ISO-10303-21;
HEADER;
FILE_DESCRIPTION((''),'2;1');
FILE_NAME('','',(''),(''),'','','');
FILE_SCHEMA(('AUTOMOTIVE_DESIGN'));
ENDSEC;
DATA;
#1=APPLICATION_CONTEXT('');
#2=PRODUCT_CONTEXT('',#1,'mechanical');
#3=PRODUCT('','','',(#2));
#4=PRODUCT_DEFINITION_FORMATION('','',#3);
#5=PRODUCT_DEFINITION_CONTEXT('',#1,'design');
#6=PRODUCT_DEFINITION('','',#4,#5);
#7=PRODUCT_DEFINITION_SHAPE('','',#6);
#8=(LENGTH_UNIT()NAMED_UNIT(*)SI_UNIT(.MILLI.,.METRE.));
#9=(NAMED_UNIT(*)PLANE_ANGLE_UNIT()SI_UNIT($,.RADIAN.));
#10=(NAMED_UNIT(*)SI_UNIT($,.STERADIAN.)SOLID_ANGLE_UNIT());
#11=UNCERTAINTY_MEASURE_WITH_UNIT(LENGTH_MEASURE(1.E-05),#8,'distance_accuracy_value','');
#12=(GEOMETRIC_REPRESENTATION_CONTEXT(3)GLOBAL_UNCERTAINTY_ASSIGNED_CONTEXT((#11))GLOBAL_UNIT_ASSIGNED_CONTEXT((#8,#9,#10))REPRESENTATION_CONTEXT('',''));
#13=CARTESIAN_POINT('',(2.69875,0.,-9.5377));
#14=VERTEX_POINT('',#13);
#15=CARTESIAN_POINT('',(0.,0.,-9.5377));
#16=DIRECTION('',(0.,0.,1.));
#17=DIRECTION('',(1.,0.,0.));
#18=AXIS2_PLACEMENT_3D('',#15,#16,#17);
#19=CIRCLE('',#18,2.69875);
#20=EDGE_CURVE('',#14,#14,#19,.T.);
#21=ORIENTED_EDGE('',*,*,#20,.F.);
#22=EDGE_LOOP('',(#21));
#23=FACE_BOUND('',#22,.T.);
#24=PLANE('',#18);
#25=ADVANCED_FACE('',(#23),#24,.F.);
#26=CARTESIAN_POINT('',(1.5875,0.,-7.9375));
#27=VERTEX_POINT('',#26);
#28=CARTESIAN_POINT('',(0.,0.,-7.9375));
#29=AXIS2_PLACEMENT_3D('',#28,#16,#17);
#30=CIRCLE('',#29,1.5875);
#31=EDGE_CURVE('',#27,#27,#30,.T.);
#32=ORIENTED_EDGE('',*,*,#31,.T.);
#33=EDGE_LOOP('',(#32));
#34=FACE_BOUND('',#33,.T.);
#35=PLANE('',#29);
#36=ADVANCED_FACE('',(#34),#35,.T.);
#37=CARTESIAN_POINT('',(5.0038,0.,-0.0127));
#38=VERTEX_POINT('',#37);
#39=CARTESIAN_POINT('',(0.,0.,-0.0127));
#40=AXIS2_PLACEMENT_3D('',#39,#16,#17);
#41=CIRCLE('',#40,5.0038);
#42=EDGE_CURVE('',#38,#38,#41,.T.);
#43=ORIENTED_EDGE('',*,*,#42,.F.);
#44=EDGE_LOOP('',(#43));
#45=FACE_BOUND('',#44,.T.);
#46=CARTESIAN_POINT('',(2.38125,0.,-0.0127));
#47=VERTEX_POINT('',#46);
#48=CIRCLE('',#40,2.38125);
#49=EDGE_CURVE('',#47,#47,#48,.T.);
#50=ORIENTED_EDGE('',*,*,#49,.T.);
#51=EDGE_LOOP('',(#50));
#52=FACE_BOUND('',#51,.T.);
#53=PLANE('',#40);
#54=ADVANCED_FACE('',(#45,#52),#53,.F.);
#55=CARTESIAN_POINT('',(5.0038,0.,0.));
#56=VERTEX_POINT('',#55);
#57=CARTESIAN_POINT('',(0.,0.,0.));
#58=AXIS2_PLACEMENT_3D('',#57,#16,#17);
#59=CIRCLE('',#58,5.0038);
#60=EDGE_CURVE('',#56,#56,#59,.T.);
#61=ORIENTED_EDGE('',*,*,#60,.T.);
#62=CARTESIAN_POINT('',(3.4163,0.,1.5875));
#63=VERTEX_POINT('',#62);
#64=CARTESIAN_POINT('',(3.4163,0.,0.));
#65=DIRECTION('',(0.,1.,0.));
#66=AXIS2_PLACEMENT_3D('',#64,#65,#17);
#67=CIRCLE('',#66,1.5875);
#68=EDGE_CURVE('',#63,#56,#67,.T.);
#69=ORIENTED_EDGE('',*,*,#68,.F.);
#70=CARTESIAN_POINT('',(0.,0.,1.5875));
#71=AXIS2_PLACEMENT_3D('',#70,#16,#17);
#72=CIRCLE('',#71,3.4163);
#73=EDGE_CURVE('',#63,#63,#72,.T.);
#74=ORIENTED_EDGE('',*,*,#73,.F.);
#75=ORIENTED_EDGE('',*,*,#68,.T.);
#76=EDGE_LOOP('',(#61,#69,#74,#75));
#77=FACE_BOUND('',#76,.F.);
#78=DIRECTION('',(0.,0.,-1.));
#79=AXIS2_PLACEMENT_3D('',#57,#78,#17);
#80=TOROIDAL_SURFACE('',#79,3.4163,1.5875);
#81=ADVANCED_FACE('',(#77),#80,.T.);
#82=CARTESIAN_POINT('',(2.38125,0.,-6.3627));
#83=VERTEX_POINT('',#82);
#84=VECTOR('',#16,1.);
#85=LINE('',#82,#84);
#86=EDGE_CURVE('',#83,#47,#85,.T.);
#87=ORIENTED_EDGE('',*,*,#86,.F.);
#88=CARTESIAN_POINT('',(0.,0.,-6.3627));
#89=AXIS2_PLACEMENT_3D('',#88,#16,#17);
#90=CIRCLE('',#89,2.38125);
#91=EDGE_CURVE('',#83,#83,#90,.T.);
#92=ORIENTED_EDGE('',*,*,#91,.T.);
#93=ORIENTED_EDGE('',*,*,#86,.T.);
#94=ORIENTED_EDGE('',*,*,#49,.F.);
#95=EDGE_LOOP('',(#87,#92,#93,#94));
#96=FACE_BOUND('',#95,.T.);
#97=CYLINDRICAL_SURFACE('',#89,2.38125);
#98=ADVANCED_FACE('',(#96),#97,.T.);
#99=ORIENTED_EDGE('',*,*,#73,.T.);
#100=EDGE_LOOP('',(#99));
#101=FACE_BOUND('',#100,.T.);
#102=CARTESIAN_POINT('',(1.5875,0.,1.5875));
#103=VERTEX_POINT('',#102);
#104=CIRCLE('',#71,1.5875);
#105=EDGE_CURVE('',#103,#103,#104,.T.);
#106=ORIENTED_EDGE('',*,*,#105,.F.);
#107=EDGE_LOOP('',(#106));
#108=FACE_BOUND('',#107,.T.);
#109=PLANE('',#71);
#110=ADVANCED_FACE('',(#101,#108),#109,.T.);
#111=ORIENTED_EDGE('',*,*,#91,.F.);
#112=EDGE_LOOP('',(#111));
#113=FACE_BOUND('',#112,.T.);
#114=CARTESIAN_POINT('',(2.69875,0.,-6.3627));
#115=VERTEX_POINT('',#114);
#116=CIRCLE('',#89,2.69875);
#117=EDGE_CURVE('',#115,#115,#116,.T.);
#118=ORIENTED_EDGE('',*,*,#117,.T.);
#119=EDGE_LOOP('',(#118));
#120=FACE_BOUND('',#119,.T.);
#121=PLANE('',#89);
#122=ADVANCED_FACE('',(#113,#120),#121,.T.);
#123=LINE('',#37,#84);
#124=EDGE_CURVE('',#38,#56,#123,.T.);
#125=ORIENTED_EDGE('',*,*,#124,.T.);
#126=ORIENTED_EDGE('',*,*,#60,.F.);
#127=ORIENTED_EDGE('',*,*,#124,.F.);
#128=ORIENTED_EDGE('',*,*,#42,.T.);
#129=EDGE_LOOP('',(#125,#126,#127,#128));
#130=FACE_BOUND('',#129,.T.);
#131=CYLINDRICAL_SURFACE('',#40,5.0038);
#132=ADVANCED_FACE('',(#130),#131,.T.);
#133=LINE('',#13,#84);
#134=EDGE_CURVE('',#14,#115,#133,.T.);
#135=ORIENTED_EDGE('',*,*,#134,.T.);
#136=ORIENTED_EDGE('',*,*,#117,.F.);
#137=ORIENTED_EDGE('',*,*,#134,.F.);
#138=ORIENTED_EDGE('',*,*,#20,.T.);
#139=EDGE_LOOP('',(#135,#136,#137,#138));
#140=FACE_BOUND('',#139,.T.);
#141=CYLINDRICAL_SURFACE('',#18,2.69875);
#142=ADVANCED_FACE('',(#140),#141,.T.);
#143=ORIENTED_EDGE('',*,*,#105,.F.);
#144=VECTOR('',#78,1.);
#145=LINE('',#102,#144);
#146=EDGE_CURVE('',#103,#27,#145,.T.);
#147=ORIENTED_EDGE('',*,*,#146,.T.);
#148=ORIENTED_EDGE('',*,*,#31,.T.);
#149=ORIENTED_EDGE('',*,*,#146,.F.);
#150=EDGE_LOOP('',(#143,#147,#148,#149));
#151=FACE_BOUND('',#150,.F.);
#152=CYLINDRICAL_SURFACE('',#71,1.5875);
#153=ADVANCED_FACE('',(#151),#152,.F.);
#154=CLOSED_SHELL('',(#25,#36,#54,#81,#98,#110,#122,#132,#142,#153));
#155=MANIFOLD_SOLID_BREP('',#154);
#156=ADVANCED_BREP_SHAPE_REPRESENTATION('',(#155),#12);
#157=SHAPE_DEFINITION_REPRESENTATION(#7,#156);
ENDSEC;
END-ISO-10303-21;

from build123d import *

# Parameters (mm, degrees)
F2_R     = 1.5875
F3_DEPTH = 9.525
F4_R     = 1.5875


with BuildPart() as f1:
    # F0 (on Front) → F1 (revolve)
    with BuildSketch(Plane.XZ):
        Polygon((5.0038, 0), (0, 0), (0, -11.1252), (2.38125, -11.1252), (2.69875, -11.1252), (2.69875, -7.9502), (2.38125, -7.9502), (2.38125, -1.6002), (5.0038, -1.6002), align=None)
    revolve(axis=Axis((0, 0, -5.5626), (0, 0, 1)))

    # F2 (on face) → F3 (cut)
    with BuildSketch(Plane.XY):
        Circle(F2_R)
    extrude(amount=-F3_DEPTH, mode=Mode.SUBTRACT)

    # F4
    f4_edges = [f1.edges().sort_by_distance(p)[0] for p in [
        (-5.0038, 0, 0),
    ]]
    fillet(f4_edges, radius=F4_R)


with BuildPart() as f1_1:
    # F5: moved
    add(f1.part.moved(Location((0, 0, 1.5875))))


solid = f1_1.part
